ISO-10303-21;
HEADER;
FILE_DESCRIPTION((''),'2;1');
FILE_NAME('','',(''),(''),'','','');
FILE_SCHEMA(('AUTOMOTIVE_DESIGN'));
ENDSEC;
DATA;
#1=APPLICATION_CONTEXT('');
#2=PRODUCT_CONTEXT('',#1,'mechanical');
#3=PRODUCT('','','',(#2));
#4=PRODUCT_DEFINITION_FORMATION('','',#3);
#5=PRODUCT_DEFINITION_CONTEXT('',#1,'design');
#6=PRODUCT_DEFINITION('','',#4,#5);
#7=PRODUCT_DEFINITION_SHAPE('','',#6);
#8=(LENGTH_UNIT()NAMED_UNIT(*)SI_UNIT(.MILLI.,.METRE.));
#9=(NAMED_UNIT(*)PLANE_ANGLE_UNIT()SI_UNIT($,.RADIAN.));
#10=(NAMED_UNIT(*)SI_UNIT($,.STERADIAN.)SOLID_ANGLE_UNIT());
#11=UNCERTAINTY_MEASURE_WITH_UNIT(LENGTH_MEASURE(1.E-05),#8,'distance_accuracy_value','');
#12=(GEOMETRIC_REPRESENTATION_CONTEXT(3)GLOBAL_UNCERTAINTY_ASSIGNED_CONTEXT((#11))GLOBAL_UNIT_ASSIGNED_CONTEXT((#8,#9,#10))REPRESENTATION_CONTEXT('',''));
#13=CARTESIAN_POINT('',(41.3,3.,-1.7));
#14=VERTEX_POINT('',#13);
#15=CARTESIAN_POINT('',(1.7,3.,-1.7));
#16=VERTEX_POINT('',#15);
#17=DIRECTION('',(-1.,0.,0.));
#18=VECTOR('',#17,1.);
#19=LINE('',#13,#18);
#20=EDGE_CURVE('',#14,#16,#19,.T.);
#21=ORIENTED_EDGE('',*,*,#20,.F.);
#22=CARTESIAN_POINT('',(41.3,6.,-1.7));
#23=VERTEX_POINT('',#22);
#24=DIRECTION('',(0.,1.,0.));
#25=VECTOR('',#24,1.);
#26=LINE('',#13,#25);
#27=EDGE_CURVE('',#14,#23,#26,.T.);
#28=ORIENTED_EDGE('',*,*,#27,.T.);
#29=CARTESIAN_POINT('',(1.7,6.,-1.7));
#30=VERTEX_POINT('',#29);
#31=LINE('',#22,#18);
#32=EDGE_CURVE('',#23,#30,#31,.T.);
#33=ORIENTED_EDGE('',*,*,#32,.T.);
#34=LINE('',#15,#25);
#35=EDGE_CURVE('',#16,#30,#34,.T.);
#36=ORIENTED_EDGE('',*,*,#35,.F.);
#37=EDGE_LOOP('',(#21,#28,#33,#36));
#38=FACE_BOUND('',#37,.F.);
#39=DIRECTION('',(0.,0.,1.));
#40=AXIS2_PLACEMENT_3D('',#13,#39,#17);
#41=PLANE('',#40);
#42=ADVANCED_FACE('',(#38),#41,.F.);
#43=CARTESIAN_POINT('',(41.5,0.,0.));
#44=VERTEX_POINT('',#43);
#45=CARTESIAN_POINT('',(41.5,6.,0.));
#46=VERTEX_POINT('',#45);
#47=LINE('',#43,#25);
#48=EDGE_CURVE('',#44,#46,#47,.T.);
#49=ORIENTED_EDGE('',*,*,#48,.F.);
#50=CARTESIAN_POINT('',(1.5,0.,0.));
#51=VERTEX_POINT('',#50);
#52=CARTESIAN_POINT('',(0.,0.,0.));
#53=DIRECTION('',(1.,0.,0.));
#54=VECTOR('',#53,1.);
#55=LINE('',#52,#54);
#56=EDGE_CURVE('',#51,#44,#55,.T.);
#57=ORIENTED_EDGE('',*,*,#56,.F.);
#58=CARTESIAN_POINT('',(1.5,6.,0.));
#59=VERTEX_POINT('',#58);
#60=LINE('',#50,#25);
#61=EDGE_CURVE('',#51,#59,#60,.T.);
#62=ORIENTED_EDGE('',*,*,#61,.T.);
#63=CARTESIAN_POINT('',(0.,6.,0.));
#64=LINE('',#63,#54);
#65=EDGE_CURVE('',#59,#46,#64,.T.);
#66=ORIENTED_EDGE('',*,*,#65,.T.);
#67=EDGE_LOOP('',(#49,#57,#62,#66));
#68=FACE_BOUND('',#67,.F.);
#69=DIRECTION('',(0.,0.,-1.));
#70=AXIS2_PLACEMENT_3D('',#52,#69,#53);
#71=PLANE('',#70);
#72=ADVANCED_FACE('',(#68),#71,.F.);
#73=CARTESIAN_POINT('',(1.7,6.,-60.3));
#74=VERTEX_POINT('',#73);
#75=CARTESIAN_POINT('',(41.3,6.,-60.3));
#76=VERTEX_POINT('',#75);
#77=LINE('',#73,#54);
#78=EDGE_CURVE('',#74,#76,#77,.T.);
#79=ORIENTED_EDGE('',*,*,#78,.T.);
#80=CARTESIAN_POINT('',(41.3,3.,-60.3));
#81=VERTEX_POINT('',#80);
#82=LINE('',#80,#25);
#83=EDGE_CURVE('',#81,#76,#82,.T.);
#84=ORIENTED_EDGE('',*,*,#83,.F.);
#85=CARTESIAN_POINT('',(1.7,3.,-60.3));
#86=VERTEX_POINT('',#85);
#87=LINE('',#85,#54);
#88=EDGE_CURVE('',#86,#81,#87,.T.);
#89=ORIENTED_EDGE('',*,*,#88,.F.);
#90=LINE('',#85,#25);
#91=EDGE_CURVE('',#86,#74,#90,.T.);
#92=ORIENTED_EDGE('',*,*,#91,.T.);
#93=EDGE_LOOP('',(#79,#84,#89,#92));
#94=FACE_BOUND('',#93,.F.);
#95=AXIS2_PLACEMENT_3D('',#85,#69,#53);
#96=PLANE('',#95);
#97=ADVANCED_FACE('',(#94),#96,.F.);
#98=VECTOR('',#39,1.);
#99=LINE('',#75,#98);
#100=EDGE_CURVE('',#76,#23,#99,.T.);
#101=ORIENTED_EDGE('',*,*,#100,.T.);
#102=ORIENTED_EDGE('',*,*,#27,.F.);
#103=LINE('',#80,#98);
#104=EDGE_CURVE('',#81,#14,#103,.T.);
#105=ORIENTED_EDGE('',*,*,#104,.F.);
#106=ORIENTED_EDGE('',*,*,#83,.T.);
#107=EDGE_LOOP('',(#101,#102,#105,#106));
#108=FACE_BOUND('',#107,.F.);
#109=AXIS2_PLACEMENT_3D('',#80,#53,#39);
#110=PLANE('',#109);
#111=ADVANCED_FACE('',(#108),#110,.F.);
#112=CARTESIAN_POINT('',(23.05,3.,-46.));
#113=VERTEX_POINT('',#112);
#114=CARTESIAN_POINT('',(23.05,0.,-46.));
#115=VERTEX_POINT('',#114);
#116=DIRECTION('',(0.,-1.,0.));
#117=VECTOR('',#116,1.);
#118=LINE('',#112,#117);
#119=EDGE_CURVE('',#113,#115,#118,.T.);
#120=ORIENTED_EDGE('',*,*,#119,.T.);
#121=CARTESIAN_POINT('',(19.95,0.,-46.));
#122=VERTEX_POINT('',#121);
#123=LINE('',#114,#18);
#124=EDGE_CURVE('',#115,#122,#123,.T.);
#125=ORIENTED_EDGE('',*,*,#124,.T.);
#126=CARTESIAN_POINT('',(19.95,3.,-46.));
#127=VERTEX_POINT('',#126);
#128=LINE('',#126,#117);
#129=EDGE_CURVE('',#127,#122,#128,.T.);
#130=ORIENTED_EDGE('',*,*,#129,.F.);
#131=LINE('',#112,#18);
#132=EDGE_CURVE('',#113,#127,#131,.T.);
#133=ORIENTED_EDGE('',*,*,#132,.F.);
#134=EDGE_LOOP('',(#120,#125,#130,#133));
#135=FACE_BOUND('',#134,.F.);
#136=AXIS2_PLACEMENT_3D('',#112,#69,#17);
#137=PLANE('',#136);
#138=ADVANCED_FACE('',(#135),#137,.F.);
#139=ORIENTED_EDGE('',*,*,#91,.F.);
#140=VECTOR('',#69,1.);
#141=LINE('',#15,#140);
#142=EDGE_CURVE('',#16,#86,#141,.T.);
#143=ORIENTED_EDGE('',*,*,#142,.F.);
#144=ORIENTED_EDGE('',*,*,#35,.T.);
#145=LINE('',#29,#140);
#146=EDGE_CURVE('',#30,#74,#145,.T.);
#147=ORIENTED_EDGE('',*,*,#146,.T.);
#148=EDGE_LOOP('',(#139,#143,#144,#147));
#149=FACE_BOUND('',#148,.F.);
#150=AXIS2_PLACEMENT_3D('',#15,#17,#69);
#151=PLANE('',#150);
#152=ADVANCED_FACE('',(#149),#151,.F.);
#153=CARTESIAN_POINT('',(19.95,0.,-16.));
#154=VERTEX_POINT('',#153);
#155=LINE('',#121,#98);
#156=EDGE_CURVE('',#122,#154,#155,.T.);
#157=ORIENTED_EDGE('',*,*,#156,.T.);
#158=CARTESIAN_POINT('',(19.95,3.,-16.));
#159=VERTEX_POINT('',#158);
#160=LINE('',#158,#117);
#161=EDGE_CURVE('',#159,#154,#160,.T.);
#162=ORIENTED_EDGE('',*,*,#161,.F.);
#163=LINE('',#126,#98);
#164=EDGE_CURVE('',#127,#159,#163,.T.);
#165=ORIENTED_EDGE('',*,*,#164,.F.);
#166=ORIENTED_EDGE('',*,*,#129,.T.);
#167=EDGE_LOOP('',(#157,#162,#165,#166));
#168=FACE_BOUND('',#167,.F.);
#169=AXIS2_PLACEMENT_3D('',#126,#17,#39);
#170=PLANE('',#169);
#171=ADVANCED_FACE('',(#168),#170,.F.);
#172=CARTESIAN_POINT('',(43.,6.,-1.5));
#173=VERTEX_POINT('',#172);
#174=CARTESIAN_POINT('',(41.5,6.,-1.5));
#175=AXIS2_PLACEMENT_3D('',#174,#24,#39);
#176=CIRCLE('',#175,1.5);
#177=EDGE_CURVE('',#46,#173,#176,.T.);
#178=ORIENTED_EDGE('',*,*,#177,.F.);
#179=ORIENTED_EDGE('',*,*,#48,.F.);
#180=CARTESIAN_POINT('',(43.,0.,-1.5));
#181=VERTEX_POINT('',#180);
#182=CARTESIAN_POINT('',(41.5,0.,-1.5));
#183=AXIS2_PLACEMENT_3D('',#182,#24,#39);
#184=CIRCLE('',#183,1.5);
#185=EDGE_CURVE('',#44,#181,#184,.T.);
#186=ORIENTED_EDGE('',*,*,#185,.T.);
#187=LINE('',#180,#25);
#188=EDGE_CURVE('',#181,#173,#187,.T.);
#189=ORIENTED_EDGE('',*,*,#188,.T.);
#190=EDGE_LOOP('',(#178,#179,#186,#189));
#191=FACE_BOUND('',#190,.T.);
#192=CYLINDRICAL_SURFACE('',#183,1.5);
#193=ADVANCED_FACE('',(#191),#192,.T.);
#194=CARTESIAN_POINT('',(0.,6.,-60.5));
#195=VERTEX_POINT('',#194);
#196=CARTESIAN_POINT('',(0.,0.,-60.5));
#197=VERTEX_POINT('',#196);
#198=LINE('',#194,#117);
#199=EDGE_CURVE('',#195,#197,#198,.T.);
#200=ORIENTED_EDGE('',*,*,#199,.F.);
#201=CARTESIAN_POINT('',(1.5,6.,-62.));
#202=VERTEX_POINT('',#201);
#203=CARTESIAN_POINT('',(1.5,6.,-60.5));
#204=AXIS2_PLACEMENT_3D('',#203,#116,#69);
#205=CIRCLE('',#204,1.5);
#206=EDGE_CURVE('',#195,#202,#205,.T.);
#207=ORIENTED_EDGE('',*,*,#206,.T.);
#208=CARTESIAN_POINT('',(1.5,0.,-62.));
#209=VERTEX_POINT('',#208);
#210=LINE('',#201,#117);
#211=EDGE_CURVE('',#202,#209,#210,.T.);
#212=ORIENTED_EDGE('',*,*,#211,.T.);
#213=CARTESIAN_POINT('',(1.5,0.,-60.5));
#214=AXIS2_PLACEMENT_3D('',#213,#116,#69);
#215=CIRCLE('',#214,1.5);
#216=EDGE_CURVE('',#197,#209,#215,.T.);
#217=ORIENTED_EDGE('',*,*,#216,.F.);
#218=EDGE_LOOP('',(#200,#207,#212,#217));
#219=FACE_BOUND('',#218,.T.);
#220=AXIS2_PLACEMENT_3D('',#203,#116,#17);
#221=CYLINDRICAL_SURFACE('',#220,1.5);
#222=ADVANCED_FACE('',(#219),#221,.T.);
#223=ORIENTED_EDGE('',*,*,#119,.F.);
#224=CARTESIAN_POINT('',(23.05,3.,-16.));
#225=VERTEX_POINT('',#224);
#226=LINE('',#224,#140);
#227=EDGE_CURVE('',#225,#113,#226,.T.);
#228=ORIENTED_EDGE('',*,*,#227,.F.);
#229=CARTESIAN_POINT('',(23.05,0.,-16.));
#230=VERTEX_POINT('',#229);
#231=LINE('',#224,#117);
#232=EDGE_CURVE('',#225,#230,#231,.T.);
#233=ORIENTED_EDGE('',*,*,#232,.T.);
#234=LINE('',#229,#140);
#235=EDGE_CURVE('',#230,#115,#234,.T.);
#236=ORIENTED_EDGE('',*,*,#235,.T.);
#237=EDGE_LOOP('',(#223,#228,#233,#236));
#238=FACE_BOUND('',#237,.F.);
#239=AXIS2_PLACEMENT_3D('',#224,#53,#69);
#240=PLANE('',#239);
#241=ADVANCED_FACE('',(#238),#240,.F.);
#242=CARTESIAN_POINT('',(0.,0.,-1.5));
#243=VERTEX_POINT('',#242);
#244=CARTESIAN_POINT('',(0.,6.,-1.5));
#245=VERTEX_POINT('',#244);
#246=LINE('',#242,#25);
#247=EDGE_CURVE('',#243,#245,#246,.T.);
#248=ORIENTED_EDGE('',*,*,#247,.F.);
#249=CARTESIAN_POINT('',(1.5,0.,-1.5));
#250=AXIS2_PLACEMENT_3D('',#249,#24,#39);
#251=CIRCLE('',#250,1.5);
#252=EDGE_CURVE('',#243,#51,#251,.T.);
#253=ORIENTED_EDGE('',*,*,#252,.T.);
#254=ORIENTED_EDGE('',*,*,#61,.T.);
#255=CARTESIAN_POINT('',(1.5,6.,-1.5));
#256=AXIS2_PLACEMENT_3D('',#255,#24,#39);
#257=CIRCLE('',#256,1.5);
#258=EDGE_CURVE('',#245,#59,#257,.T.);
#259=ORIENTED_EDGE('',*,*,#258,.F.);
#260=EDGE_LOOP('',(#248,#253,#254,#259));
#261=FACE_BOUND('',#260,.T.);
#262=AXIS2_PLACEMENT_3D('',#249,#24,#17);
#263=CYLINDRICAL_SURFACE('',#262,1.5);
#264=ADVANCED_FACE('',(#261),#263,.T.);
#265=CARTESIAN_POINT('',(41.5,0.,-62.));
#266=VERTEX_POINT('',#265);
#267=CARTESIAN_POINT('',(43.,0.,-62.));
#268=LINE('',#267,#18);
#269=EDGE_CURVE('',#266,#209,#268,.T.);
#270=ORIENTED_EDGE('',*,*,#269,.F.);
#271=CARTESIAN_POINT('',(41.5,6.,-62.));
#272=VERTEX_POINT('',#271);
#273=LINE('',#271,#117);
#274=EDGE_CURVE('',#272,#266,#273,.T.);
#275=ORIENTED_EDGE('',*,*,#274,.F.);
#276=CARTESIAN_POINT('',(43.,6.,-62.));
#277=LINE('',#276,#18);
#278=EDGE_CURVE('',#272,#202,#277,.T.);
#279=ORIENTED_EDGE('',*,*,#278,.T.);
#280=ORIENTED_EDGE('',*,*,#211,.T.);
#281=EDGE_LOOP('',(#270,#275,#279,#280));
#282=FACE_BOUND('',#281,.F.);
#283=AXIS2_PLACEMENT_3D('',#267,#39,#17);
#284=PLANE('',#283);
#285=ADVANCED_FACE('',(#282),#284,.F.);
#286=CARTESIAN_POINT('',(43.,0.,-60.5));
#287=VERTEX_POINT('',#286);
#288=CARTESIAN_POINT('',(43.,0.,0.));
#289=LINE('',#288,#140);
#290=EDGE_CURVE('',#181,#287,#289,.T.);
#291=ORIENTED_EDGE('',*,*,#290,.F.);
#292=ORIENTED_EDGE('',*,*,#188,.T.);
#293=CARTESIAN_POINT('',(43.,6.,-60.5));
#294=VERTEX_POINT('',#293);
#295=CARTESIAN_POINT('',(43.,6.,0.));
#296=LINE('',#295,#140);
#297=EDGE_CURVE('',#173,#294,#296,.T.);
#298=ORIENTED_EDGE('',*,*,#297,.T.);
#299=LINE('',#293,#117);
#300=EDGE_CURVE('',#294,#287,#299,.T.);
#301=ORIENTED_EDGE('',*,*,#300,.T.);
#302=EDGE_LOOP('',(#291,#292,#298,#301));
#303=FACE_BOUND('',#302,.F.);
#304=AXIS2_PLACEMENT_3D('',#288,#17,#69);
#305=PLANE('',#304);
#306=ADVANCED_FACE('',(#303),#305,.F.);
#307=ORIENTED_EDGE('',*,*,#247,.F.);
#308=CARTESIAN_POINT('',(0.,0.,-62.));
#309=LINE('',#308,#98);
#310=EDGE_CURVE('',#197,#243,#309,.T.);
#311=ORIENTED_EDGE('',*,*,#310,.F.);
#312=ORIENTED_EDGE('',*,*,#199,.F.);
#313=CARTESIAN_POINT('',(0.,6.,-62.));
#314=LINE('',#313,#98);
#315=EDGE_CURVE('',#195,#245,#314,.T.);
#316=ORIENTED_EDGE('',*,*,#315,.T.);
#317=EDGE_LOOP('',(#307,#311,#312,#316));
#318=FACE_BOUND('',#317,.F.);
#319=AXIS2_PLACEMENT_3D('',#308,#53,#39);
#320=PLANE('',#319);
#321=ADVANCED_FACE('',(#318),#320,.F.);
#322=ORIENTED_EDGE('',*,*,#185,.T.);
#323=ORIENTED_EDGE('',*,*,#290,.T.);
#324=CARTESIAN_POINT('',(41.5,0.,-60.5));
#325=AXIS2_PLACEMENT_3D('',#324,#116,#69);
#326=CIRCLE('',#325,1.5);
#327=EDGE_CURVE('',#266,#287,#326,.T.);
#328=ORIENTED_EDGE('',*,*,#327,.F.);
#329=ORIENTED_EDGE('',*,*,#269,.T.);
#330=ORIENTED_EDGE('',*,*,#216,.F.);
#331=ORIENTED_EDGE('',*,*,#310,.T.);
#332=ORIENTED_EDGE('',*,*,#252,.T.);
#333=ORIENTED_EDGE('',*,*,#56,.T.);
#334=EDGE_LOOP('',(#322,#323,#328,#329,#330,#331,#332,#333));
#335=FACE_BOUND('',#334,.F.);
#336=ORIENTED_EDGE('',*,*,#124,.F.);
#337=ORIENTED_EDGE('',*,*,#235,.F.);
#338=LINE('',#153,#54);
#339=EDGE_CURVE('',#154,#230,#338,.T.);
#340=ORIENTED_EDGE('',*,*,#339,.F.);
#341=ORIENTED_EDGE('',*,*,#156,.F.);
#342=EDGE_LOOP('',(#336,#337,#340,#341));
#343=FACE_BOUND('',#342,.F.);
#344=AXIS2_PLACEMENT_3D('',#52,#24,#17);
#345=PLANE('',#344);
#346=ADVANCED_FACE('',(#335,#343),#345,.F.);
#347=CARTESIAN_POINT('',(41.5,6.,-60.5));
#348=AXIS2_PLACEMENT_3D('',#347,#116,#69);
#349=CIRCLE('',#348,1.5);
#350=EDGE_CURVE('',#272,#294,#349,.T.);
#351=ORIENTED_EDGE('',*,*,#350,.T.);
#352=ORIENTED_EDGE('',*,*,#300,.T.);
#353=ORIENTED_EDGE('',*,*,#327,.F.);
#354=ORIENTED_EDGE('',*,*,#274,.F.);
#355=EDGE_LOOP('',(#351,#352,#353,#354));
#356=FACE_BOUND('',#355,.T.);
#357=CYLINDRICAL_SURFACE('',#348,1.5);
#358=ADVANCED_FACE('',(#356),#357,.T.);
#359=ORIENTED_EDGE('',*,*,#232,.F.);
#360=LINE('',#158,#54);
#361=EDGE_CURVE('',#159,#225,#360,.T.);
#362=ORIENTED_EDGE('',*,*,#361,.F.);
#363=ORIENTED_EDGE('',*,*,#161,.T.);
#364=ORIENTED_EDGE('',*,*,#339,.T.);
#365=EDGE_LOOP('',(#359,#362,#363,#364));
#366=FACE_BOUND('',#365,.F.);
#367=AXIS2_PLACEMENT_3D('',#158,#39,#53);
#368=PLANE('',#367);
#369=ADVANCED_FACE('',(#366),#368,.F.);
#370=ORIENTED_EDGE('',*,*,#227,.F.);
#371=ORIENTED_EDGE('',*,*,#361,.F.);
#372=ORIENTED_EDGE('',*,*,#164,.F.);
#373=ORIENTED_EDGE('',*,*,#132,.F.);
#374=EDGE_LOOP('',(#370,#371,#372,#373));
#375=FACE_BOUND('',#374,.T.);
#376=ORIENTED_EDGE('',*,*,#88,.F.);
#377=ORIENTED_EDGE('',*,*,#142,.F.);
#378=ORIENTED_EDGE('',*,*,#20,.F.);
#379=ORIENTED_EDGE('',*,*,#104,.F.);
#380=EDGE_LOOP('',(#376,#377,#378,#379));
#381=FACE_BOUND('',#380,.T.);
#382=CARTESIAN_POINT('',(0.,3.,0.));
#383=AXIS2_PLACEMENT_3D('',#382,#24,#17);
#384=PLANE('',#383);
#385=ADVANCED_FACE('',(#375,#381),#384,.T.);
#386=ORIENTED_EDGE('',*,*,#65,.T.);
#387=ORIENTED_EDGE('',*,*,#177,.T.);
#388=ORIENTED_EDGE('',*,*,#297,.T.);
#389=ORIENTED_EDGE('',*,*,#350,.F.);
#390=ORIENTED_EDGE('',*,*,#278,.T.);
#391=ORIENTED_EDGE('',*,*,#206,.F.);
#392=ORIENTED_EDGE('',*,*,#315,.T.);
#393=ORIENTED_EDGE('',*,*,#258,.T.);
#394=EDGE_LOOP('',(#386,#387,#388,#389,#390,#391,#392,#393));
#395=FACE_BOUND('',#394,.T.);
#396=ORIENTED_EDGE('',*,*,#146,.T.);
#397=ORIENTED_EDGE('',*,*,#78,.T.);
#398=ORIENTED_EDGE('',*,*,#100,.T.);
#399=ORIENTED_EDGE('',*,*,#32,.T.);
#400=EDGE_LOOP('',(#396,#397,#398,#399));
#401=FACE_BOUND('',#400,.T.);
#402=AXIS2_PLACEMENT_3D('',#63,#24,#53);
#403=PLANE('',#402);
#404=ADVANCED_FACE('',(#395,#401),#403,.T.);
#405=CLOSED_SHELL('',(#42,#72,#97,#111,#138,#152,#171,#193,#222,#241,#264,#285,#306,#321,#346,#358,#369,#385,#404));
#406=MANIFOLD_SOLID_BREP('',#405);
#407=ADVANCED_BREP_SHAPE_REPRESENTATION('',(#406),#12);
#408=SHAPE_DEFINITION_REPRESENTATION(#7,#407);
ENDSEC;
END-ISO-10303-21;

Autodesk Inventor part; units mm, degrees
sketch "Sketch1" plane through (0, 0, 0) normal (0, 1, 0) x (-1, 0, 0)
  line L0 (0, 0) -> (-43, 0)
  line L1 (-43, 0) -> (-43, -62)
  line L2 (-43, -62) -> (0, -62)
  line L3 (0, -62) -> (0, 0)
  dimension "d0" = 43
  dimension "d1" = 62
extrude "Extrusion1" add sketch "Sketch1" along normal blind 3
sketch "Sketch2" plane through (0, 3, 0) normal (0, 1, 0) x (1, 0, 0)
  line L0 (43, 0) -> (43, 62) projected
  line L1 (0, 0) -> (43, 0)
  line L2 (43, 0) -> (43, 62)
  line L3 (43, 62) -> (0, 62)
  line L4 (0, 62) -> (0, 0)
  line L5 (1.7, 60.3) -> (41.3, 60.3)
  line L6 (41.3, 60.3) -> (41.3, 1.7)
  line L7 (41.3, 1.7) -> (1.7, 1.7)
  line L8 (1.7, 1.7) -> (1.7, 60.3)
  dimension "d4" = 1.7
extrude "Extrusion2" add sketch "Sketch2" along normal blind 3
sketch "Sketch3" plane through (0, 3, 0) normal (0, 1, 0) x (1, 0, 0)
  line L0 (23.05, 46) -> (19.95, 46)
  line L1 (19.95, 46) -> (19.95, 16)
  line L2 (19.95, 16) -> (23.05, 16)
  line L3 (23.05, 16) -> (23.05, 46)
  line L4 (41.3, 60.3) -> (41.3, 1.7) projected
  line L5 (41.3, 1.7) -> (1.7, 1.7) projected
  point P0 (0, 0)
  point P1 (41.3, 31)
  point P2 (23.05, 31)
  point P3 (21.5, 1.7)
  point P4 (21.5, 16)
  dimension "d7" = 3.1
  dimension "d8" = 0
  dimension "d9" = 30
  dimension "d15" = 0
extrude "Extrusion3" cut sketch "Sketch3" against normal blind 3
fillet "Fillet1" radius 1.5 4 edges at (43, 3, 0) (0, 3, 0) (0, 3, -62) (43, 3, -62)
equation "\"d0\" = width_inner + 2 * thickness"
equation "\"d1\" = length_inner + 2 * thickness"
equation "\"d2\" = thickness"
equation "\"d5\" = thickness"
equation "\"d7\" = acrylic_thickness"
equation "\"d9\" = acrylic_length"
equation "\"d11\" = thickness"
equation "\"d13\" = 0.5 * thickness"
equation "\"width_inner\" = 37"
equation "\"length_inner\" = 56"
equation "\"thickness\" = 3"
equation "\"acrylic_thickness\" = 3.1"
equation "\"acrylic_length\" = 30"
properties part number "ieee_lid"
